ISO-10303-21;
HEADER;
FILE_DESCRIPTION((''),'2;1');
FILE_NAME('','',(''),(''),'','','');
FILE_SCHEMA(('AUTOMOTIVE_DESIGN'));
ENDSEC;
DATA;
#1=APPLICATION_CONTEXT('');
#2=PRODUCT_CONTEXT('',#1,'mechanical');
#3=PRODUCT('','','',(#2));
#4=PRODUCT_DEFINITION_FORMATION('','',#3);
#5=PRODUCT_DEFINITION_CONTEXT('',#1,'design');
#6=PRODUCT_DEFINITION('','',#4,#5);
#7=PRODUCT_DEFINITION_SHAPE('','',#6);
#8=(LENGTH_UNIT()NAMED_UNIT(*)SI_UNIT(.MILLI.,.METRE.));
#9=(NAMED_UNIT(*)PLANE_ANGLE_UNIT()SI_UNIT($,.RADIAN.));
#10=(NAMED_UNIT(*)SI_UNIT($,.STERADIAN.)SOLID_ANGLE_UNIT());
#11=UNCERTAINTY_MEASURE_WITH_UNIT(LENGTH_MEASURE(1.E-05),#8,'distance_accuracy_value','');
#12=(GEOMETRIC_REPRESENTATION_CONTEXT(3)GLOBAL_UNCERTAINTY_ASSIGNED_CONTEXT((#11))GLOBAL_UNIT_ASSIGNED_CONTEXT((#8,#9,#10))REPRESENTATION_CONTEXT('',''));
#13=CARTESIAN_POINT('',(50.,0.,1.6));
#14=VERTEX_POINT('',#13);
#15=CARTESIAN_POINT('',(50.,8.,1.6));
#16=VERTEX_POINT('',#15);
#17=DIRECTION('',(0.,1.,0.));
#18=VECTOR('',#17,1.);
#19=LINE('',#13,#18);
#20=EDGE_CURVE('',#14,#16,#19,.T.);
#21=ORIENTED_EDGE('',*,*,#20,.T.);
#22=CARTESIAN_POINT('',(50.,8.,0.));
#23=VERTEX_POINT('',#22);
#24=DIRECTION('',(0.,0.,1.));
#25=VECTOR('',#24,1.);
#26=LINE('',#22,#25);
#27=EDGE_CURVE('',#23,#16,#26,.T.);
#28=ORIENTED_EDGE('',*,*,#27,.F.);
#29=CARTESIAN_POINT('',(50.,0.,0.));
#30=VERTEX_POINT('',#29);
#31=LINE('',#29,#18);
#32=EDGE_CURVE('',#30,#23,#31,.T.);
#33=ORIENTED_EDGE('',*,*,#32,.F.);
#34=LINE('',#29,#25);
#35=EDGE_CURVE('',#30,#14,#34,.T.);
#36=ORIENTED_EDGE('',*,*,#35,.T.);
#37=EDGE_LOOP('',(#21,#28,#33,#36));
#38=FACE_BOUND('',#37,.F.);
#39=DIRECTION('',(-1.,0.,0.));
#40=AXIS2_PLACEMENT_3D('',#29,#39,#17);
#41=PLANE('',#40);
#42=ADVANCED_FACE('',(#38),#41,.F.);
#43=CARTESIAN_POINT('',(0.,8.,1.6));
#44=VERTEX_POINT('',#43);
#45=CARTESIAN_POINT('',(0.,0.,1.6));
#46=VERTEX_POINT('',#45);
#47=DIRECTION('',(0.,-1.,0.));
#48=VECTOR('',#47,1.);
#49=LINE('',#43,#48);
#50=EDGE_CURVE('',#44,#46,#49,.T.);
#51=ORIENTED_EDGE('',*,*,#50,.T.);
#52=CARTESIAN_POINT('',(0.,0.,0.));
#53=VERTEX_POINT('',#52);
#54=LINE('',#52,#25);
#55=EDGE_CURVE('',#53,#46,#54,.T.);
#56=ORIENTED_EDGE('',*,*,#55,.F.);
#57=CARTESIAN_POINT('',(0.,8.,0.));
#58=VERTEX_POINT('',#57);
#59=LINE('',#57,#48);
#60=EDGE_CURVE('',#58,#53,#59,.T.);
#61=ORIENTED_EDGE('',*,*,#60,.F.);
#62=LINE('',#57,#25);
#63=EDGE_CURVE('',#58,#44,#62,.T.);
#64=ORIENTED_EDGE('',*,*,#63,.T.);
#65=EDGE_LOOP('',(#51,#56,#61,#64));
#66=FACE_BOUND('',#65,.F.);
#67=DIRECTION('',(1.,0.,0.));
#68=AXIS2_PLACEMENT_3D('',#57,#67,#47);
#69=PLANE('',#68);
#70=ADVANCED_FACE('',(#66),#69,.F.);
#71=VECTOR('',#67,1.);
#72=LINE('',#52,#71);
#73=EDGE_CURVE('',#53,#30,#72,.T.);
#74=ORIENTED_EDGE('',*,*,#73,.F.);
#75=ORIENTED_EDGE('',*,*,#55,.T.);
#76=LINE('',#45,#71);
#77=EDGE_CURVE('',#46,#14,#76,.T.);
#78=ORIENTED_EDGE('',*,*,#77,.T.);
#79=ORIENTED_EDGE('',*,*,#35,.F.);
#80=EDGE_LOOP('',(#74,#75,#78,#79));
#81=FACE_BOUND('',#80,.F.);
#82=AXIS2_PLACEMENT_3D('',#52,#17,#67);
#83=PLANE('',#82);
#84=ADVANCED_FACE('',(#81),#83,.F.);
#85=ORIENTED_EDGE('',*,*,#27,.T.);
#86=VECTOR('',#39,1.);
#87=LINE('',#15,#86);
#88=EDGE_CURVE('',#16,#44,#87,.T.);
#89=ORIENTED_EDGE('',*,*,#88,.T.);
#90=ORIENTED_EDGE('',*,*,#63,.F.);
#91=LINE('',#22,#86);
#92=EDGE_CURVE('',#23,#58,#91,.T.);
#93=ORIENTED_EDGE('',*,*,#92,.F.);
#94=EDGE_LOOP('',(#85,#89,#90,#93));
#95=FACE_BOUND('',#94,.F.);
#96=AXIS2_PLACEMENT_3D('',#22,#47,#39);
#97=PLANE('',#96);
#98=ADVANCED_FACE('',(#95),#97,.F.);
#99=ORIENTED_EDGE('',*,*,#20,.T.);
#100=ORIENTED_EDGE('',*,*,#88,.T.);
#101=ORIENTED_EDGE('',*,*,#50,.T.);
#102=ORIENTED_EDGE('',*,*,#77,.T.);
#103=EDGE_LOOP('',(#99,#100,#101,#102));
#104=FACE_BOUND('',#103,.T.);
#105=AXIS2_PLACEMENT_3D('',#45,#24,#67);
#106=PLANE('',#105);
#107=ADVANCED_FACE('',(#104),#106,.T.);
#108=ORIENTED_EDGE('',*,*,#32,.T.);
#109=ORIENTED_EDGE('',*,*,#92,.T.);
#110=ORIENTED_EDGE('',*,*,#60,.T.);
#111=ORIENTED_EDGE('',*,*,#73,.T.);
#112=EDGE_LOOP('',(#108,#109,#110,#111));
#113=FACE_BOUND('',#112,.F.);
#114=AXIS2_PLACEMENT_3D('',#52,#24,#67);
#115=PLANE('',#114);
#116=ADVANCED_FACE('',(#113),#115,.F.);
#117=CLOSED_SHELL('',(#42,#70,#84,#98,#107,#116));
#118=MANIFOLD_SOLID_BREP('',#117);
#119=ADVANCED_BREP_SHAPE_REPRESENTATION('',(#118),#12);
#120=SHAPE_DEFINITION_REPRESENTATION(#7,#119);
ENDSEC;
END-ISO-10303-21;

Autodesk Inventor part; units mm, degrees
ref_plane "YZ Plane" through (0, 0, 0) normal (1, 0, 0) x (0, 1, 0)
ref_plane "XZ Plane" through (0, 0, 0) normal (0, 1, 0) x (-1, 0, 0)
ref_plane "XY Plane" through (0, 0, 0) normal (0, 0, 1) x (1, 0, 0)
sketch "Sketch1" plane through (0, 0, 0) normal (0, 0, 1) x (1, 0, 0)
  point P0 (0, 0)
sketch "Sketch2" plane through (0, 0, 0) normal (0, 0, 1) x (1, 0, 0)
  line L0 (0, 0) -> (50, 0)
  line L1 (50, 0) -> (50, 8)
  line L2 (50, 8) -> (0, 8)
  line L3 (0, 8) -> (0, 0)
  dimension "d0" = 50
  dimension "d1" = 8
extrude "Extrusion1" add sketch "Sketch2" along normal blind 1.6
properties part number "PCBboard"
